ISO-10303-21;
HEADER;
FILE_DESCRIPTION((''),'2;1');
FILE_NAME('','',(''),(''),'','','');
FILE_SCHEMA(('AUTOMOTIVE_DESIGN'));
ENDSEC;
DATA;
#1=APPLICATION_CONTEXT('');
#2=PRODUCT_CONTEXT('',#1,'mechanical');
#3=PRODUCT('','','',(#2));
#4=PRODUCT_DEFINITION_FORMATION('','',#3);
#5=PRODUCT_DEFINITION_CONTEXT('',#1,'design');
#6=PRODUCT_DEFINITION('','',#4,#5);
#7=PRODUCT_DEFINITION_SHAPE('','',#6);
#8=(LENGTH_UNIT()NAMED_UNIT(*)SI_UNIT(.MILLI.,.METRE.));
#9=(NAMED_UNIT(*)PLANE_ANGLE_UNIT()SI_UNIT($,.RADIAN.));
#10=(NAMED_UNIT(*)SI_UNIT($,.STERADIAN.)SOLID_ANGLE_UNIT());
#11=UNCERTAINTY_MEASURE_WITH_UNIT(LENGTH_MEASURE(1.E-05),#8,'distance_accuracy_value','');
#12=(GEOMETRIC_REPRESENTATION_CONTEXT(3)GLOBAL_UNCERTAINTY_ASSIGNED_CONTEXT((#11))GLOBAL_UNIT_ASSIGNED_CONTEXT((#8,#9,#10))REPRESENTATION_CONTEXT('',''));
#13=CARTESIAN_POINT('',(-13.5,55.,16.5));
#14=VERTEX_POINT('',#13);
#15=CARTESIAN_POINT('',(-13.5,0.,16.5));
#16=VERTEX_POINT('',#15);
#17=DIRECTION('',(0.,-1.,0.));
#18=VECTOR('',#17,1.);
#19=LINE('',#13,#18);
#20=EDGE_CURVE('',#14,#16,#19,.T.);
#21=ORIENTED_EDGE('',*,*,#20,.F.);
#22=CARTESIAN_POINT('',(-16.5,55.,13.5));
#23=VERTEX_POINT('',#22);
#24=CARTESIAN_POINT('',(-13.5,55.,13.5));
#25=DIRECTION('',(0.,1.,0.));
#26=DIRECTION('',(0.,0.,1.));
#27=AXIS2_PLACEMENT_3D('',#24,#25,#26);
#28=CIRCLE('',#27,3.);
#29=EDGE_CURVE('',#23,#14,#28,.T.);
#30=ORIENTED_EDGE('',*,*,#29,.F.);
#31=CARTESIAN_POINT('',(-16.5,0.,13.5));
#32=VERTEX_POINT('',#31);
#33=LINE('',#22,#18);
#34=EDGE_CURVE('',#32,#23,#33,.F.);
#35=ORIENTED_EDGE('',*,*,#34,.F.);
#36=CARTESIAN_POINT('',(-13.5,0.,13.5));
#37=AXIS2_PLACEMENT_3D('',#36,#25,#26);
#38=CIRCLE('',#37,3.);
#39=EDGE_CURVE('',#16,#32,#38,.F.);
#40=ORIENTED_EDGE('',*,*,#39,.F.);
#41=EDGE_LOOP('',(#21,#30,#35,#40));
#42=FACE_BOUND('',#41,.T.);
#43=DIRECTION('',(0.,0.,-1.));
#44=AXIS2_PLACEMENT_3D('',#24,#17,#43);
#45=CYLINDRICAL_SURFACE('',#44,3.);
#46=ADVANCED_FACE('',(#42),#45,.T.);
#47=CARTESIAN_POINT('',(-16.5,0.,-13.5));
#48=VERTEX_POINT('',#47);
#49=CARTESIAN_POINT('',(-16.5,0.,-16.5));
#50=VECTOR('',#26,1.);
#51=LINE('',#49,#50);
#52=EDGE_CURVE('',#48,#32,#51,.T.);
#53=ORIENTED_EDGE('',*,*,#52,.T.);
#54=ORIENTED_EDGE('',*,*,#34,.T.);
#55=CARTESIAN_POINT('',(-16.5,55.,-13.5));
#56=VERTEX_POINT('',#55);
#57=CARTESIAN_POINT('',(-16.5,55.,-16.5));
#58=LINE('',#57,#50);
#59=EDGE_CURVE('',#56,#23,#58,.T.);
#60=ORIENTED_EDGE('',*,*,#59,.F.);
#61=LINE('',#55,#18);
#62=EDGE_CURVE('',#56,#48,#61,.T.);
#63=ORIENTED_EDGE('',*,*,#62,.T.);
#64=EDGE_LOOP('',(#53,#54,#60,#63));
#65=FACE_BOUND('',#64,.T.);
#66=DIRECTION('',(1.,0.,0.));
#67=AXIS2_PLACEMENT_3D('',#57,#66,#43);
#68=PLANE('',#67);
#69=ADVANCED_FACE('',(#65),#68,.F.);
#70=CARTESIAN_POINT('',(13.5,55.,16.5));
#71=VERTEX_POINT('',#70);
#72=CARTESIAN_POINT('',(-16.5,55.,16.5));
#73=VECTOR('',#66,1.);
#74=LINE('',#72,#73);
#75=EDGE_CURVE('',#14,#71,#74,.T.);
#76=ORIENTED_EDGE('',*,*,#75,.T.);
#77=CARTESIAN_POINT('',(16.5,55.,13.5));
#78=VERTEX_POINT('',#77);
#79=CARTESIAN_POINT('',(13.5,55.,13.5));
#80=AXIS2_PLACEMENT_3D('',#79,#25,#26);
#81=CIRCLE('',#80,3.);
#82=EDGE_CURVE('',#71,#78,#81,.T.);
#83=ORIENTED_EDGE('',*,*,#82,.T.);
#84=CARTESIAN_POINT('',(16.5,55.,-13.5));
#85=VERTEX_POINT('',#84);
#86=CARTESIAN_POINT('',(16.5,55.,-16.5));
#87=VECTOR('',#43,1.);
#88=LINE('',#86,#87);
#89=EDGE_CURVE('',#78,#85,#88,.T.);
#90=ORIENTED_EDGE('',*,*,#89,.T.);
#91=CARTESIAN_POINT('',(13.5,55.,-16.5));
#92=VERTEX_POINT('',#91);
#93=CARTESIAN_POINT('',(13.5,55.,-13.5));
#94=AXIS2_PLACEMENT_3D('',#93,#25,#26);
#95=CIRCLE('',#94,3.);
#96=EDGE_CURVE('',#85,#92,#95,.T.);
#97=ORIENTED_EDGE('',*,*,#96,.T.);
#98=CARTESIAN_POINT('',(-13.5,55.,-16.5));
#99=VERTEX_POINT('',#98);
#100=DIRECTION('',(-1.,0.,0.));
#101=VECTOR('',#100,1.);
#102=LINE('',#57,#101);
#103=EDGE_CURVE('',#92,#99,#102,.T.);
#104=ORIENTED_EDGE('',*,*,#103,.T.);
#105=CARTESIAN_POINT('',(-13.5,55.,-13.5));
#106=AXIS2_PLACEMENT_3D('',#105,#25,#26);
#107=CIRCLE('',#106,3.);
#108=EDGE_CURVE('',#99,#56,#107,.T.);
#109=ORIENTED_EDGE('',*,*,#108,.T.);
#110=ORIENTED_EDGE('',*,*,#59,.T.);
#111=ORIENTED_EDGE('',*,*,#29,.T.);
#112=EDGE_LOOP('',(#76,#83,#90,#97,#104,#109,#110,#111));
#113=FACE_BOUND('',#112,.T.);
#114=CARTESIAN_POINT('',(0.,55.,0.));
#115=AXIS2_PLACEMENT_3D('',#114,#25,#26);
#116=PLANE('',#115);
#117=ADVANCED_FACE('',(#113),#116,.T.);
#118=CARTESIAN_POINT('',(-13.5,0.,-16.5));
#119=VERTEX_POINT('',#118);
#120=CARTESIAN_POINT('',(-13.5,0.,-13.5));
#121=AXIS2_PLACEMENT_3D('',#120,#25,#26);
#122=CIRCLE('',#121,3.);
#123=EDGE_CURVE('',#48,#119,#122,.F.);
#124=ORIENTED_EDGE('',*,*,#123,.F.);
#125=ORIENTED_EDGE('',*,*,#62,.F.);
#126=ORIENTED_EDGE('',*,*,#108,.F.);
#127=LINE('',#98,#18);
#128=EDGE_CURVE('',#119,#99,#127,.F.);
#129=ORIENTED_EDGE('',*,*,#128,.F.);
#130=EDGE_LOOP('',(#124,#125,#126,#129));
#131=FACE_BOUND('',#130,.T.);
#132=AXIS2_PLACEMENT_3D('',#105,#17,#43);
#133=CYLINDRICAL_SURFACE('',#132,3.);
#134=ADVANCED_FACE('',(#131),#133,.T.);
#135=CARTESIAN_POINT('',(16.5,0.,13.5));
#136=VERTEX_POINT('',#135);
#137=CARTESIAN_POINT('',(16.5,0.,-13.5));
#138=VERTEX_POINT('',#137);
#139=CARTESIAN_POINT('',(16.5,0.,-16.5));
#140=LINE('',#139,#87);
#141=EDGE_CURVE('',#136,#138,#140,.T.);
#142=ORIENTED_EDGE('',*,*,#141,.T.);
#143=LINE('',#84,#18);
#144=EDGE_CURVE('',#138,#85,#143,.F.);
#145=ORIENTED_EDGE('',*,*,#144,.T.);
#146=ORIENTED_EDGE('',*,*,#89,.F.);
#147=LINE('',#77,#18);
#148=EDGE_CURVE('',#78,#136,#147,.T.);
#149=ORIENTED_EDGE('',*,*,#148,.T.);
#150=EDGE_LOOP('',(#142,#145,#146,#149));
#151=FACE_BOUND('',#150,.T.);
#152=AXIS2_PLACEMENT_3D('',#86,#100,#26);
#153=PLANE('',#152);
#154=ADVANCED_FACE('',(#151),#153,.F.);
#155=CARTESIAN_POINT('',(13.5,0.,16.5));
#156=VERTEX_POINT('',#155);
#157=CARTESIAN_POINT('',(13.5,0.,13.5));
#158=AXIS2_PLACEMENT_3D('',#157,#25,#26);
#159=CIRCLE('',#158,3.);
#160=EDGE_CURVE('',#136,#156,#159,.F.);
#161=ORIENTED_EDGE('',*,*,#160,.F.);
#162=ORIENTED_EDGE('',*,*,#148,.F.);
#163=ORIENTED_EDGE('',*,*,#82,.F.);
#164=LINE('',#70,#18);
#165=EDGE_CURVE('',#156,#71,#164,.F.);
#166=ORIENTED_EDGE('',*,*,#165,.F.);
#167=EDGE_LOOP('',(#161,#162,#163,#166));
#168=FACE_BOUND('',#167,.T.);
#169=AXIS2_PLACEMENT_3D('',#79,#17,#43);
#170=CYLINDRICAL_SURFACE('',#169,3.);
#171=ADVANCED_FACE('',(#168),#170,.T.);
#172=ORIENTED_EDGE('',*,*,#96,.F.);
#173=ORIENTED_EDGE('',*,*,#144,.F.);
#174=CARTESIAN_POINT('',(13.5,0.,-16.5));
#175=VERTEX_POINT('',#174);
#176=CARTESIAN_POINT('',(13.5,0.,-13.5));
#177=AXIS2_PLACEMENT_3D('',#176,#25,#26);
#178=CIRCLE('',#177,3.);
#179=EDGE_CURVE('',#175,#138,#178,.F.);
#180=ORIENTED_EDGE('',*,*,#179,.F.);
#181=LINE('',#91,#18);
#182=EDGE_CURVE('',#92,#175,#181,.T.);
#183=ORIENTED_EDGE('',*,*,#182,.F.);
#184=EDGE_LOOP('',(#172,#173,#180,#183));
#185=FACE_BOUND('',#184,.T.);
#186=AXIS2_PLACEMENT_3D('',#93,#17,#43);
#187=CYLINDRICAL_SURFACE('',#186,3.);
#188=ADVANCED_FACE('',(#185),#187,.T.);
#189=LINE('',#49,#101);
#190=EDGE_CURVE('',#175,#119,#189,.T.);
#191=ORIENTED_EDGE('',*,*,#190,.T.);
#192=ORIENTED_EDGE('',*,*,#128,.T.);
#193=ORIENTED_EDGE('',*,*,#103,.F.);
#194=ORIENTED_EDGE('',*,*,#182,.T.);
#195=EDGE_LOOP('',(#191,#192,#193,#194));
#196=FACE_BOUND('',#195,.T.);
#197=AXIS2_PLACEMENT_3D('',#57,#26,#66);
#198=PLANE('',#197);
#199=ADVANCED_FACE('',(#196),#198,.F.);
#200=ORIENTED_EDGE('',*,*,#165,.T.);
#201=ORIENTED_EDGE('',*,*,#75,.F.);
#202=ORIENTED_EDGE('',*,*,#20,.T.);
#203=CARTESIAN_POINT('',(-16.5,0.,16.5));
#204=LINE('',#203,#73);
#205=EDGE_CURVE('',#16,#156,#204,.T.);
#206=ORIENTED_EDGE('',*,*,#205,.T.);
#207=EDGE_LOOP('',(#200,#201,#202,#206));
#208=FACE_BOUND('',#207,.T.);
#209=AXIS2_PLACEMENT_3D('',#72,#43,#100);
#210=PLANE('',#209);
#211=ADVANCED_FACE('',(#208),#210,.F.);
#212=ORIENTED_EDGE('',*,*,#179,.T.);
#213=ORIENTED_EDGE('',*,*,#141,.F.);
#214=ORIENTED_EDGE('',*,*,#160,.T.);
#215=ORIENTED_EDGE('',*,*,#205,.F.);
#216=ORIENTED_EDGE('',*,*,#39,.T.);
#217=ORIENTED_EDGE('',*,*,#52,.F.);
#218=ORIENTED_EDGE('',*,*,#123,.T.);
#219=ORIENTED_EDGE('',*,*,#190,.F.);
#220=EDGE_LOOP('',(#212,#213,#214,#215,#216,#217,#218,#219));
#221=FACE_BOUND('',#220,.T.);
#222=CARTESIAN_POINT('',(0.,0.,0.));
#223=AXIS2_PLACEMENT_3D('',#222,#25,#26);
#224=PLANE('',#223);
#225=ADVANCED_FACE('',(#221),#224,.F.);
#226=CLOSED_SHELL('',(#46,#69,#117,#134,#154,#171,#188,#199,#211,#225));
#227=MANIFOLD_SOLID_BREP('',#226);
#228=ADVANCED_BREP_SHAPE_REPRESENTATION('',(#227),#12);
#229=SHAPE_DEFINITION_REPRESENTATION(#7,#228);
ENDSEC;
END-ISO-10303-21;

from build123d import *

# Parameters (mm, degrees)
SKETCH_1_W      = 33
SKETCH_1_H      = 33
EXTRUDE_1_DEPTH = 55
FILLET_1_R      = 3


with BuildPart() as part:
    # 草图1 → 凸台-拉伸1 (new body)
    with BuildSketch(Plane(origin=(0, 0, 0), x_dir=(1, 0, 0), z_dir=(0, 1, 0))):
        Rectangle(SKETCH_1_W, SKETCH_1_H)
    extrude(amount=EXTRUDE_1_DEPTH)

    # 圆角1
    fillet_1_edges = [part.edges().sort_by_distance(p)[0] for p in [
        (16.5, 27.5, 16.5),
        (-16.5, 27.5, 16.5),
        (-16.5, 27.5, -16.5),
        (16.5, 27.5, -16.5),
    ]]
    fillet(fillet_1_edges, radius=FILLET_1_R)


solid = part.part
